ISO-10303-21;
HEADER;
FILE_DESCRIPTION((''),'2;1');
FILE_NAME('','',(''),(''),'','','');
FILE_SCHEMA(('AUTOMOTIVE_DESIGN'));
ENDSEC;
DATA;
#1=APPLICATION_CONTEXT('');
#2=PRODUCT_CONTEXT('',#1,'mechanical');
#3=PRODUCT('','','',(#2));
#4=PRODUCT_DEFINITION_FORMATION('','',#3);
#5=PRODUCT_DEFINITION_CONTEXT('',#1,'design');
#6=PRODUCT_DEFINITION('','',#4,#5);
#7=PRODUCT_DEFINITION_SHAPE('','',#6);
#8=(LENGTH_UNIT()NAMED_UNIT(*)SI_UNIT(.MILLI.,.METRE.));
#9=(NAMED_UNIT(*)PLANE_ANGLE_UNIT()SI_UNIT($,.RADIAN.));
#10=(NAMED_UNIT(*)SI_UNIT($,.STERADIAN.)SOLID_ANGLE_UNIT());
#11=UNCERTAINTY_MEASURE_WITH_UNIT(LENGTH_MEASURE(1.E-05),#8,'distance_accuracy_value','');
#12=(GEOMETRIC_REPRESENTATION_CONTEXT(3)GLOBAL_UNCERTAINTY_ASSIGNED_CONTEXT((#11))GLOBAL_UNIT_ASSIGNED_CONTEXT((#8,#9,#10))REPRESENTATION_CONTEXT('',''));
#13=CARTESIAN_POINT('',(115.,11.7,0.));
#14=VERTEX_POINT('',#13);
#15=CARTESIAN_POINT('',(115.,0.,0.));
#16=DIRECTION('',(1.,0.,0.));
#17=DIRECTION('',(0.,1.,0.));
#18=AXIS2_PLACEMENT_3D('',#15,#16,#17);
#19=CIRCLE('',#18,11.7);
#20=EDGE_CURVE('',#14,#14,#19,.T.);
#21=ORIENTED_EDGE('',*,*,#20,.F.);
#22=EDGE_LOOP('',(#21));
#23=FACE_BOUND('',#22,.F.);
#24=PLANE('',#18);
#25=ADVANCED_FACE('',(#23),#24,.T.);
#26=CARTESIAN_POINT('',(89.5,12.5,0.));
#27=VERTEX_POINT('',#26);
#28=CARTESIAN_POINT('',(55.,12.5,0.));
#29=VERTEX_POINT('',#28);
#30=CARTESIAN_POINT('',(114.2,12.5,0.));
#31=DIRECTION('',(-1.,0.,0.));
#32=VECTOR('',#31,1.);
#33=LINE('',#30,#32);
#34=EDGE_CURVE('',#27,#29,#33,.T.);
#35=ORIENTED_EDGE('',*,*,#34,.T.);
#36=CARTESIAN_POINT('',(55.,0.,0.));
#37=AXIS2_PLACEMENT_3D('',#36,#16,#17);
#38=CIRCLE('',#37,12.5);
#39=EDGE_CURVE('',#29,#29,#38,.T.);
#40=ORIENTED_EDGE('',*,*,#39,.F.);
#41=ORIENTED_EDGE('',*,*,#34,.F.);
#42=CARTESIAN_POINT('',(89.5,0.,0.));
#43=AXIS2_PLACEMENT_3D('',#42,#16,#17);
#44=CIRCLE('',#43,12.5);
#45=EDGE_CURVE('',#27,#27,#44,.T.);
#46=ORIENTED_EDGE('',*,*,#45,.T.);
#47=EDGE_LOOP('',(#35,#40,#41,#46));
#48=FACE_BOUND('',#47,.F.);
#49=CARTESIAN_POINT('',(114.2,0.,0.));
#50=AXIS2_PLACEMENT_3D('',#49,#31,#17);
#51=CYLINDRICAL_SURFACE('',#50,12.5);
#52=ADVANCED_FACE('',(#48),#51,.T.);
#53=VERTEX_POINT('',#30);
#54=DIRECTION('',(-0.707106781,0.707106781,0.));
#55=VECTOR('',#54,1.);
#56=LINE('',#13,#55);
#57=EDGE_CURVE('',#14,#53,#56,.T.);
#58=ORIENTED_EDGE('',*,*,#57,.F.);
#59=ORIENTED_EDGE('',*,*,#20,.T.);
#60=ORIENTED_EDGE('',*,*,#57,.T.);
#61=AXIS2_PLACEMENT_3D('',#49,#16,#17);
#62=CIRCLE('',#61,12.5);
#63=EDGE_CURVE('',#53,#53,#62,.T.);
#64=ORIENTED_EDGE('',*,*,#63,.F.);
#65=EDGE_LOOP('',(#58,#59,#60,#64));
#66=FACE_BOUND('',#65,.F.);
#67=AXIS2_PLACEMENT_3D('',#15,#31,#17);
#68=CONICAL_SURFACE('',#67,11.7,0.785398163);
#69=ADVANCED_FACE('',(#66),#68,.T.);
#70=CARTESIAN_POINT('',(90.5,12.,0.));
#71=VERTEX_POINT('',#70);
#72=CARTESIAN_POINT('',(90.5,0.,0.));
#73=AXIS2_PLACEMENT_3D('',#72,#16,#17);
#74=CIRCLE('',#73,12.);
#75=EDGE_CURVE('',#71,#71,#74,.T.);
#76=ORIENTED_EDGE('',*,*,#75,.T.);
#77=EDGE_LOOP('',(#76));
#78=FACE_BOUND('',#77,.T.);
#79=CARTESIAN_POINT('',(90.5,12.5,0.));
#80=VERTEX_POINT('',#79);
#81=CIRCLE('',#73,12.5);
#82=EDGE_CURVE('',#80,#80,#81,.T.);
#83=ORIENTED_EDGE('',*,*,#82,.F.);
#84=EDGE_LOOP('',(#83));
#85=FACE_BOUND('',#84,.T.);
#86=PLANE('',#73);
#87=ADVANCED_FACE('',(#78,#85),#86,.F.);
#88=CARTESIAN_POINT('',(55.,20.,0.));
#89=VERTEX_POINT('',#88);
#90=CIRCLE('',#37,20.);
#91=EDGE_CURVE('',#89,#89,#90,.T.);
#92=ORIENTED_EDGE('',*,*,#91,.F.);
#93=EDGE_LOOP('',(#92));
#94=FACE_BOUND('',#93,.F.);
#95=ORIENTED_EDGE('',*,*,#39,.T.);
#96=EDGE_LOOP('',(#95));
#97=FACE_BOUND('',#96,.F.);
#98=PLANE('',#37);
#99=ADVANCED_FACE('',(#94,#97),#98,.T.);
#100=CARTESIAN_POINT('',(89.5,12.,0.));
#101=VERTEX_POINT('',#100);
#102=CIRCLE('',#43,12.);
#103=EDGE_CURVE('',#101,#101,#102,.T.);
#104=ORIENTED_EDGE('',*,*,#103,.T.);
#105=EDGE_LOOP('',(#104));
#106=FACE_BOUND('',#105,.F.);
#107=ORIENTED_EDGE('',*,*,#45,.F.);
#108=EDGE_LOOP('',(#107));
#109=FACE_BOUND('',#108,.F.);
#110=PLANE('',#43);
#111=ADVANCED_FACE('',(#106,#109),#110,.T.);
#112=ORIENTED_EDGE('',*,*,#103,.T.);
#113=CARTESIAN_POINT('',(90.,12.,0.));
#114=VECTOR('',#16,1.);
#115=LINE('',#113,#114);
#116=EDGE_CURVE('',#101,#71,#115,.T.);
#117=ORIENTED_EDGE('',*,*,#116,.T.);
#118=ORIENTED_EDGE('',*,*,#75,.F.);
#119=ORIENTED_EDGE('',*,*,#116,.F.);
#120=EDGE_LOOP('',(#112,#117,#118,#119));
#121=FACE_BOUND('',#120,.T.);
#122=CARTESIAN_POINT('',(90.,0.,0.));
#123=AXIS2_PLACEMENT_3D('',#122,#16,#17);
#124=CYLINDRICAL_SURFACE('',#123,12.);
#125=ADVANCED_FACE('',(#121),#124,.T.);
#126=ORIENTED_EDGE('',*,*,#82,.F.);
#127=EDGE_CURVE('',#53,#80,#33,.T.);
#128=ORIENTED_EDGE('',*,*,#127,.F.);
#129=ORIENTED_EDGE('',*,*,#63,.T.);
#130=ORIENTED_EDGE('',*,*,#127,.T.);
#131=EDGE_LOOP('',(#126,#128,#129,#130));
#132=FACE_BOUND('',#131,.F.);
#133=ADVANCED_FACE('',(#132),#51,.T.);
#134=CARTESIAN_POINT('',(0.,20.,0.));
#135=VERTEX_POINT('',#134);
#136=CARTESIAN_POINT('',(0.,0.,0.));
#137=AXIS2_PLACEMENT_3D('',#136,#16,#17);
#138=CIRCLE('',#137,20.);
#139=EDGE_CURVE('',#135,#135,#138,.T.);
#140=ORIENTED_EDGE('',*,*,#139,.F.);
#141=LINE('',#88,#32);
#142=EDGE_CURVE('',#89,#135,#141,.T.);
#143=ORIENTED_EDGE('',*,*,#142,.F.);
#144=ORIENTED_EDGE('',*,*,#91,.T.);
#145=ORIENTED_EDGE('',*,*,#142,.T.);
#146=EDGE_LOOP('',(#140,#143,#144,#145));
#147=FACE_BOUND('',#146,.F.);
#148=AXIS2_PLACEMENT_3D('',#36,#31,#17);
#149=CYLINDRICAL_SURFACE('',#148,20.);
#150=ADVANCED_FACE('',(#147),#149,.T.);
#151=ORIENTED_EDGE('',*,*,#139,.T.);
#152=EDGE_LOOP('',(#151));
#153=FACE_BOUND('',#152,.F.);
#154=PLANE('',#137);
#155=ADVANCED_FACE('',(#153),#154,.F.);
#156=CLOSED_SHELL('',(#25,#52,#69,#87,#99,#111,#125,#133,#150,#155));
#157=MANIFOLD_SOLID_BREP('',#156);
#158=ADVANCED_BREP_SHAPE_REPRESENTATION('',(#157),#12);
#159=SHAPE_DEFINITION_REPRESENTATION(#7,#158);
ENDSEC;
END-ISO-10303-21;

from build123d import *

# Parameters (mm, degrees)
SKIZZE2_W = 1
SKIZZE2_H = 0.5


with BuildPart() as part:
    # Skizze1 → Rotation1 (revolve)
    with BuildSketch(Plane.XY):
        Polygon((0, 20), (0, 0), (115, 0), (115, 11.7), (114.2, 12.5), (55, 12.5), (55, 20), align=None)
    revolve(axis=Axis((0, 0, 0), (1, 0, 0)))

    # Skizze2 → Schnitt-Rotation1 (revolve, cut)
    with BuildSketch(Plane.XY):
        with Locations((90, 12.25)):
            Rectangle(SKIZZE2_W, SKIZZE2_H)
    revolve(axis=Axis((79.835349202, 0, 0), (1, 0, 0)), mode=Mode.SUBTRACT)


solid = part.part
